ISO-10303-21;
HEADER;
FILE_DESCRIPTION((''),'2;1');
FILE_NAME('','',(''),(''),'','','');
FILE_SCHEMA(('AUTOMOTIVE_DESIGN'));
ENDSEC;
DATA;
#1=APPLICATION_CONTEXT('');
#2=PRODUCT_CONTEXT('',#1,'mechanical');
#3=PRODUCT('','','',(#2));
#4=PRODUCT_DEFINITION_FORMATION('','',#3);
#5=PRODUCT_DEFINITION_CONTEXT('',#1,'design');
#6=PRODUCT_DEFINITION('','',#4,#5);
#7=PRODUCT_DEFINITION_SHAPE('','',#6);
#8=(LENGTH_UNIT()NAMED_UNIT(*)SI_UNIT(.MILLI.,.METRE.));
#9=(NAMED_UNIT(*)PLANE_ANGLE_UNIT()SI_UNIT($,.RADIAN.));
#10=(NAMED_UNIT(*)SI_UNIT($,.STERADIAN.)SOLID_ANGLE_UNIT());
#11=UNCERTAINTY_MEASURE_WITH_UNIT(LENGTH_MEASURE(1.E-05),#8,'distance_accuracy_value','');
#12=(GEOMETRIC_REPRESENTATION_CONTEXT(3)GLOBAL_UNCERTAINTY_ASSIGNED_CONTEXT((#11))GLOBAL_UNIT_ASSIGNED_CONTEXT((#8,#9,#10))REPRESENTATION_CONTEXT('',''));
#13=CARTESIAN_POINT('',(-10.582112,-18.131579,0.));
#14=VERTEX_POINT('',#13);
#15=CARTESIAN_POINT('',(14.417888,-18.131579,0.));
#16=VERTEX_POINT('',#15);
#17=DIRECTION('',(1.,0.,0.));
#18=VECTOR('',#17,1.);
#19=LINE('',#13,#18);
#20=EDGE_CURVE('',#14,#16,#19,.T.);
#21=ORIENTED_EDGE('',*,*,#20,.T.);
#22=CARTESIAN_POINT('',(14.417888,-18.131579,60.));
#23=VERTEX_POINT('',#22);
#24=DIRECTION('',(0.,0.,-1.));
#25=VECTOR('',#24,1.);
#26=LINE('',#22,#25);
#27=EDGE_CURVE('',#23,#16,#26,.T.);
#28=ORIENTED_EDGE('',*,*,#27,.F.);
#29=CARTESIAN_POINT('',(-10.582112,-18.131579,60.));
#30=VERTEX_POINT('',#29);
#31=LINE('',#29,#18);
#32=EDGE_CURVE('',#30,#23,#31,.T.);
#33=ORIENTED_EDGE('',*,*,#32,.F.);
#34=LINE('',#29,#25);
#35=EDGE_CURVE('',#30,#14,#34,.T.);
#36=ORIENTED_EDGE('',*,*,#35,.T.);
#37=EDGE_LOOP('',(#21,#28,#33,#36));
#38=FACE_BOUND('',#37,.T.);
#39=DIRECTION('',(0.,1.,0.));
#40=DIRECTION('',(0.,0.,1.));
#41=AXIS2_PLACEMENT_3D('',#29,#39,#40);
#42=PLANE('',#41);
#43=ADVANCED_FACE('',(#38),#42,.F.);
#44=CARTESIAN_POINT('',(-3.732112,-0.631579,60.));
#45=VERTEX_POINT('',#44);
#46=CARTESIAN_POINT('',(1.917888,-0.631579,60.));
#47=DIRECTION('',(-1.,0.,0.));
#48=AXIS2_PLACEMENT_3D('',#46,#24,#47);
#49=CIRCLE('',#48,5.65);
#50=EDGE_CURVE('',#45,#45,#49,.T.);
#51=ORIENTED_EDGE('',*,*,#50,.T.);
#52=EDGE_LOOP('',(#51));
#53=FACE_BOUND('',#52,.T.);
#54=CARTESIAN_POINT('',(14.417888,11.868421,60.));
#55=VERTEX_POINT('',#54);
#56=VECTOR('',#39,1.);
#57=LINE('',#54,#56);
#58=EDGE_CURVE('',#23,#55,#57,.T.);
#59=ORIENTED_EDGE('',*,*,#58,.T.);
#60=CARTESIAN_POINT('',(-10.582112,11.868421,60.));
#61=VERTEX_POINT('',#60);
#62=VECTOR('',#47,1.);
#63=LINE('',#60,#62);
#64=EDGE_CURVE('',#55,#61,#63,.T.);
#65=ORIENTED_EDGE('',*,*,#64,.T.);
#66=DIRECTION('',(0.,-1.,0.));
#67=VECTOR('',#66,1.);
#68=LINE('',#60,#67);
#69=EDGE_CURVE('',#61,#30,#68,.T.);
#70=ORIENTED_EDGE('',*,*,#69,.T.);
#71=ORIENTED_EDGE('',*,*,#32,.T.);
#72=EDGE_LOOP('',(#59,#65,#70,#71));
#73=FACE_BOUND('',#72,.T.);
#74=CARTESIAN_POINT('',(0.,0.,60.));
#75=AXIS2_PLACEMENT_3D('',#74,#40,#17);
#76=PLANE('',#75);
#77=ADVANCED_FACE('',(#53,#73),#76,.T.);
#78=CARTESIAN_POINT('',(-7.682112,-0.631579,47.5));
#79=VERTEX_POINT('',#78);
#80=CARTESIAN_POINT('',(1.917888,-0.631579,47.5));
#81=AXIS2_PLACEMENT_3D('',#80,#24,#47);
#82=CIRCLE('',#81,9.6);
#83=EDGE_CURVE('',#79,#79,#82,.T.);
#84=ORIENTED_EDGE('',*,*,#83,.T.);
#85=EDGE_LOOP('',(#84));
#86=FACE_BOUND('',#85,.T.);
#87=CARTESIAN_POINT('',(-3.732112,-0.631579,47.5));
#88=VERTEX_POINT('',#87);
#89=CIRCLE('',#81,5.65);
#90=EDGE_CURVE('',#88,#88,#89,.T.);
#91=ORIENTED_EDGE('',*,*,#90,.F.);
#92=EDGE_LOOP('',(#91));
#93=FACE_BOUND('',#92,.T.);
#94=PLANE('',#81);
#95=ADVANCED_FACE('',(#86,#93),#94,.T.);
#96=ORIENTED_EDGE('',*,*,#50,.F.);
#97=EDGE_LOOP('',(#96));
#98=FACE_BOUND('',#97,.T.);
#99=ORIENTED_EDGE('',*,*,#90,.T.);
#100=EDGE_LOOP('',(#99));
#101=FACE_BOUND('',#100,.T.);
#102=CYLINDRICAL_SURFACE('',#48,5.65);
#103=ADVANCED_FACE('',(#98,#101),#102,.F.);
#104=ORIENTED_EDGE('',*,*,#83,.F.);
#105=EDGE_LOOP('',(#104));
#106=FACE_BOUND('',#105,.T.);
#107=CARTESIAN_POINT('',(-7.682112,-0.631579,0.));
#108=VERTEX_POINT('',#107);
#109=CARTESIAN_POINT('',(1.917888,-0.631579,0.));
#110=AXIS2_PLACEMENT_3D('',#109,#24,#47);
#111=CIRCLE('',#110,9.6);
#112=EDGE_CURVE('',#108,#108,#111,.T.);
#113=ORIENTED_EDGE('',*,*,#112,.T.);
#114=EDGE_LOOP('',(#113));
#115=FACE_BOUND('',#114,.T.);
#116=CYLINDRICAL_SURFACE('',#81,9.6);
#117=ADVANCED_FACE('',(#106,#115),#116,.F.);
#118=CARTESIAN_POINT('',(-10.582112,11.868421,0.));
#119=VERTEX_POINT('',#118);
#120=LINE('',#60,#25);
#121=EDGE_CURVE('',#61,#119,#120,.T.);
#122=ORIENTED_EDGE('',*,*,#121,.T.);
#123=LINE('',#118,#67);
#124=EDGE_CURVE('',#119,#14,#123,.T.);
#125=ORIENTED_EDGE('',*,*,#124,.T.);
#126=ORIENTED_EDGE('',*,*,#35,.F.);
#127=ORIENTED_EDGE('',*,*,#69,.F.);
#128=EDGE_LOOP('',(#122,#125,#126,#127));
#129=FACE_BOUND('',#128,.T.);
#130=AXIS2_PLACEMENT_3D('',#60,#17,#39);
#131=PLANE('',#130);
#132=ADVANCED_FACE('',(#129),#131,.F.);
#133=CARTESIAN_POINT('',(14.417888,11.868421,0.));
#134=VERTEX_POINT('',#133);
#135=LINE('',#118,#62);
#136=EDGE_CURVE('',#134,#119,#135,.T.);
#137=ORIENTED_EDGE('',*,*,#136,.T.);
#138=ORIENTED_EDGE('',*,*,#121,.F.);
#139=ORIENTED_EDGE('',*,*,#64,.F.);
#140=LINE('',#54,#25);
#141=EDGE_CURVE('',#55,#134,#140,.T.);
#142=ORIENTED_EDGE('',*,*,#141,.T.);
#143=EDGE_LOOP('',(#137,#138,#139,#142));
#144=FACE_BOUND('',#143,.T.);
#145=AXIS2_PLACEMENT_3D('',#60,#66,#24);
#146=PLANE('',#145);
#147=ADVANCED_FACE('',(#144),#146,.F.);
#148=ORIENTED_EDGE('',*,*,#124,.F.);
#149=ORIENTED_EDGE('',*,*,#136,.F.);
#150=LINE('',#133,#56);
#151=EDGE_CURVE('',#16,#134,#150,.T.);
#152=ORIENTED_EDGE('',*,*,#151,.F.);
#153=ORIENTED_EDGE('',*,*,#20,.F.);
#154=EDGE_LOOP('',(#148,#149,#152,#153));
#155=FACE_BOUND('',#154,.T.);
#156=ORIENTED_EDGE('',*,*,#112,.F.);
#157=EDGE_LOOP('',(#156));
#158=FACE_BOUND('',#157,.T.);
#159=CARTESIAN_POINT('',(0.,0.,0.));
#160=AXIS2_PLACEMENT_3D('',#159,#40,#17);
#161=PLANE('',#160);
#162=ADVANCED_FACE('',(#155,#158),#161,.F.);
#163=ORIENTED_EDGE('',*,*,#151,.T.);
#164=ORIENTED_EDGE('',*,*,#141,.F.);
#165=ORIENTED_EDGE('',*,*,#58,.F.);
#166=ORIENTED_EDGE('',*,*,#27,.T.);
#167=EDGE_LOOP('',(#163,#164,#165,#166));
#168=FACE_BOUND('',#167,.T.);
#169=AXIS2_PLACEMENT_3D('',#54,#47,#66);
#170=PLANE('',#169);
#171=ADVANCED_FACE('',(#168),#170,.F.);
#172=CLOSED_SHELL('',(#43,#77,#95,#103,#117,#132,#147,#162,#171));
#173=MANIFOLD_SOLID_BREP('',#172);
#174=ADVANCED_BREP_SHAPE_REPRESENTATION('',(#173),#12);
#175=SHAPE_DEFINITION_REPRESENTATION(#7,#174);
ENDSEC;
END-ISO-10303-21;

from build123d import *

# Parameters (mm, degrees)
SKETCH_1_W          = 25
SKETCH_1_H          = 30
EXTRUDE_1_DEPTH     = 60
SKETCH_2_R          = 9.6
CUT_EXTRUDE_1_DEPTH = 47.5
SKETCH_3_R          = 5.65
CUT_EXTRUDE_2_DEPTH = 13.5


with BuildPart() as part:
    # ｽｹｯﾁ1 → ﾎﾞｽ - 押し出し1 (new body)
    with BuildSketch(Plane.XY):
        with Locations((1.917887822, -3.131578947)):
            Rectangle(SKETCH_1_W, SKETCH_1_H)
    extrude(amount=EXTRUDE_1_DEPTH)

    # ｽｹｯﾁ2 → ｶｯﾄ - 押し出し1 (cut)
    with BuildSketch(Plane(origin=(0, 0, 0), x_dir=(-1, 0, 0), z_dir=(0, 0, -1))):
        with Locations((-1.917887822, -0.631578947)):
            Circle(SKETCH_2_R)
    extrude(amount=-CUT_EXTRUDE_1_DEPTH, mode=Mode.SUBTRACT)

    # ｽｹｯﾁ3 → ｶｯﾄ - 押し出し2 (cut, through all)
    with BuildSketch(Plane(origin=(0, 0, 47.5), x_dir=(-1, 0, 0), z_dir=(0, 0, -1))):
        with Locations((-1.917887822, -0.631578947)):
            Circle(SKETCH_3_R)
    extrude(amount=-CUT_EXTRUDE_2_DEPTH, mode=Mode.SUBTRACT)


solid = part.part
